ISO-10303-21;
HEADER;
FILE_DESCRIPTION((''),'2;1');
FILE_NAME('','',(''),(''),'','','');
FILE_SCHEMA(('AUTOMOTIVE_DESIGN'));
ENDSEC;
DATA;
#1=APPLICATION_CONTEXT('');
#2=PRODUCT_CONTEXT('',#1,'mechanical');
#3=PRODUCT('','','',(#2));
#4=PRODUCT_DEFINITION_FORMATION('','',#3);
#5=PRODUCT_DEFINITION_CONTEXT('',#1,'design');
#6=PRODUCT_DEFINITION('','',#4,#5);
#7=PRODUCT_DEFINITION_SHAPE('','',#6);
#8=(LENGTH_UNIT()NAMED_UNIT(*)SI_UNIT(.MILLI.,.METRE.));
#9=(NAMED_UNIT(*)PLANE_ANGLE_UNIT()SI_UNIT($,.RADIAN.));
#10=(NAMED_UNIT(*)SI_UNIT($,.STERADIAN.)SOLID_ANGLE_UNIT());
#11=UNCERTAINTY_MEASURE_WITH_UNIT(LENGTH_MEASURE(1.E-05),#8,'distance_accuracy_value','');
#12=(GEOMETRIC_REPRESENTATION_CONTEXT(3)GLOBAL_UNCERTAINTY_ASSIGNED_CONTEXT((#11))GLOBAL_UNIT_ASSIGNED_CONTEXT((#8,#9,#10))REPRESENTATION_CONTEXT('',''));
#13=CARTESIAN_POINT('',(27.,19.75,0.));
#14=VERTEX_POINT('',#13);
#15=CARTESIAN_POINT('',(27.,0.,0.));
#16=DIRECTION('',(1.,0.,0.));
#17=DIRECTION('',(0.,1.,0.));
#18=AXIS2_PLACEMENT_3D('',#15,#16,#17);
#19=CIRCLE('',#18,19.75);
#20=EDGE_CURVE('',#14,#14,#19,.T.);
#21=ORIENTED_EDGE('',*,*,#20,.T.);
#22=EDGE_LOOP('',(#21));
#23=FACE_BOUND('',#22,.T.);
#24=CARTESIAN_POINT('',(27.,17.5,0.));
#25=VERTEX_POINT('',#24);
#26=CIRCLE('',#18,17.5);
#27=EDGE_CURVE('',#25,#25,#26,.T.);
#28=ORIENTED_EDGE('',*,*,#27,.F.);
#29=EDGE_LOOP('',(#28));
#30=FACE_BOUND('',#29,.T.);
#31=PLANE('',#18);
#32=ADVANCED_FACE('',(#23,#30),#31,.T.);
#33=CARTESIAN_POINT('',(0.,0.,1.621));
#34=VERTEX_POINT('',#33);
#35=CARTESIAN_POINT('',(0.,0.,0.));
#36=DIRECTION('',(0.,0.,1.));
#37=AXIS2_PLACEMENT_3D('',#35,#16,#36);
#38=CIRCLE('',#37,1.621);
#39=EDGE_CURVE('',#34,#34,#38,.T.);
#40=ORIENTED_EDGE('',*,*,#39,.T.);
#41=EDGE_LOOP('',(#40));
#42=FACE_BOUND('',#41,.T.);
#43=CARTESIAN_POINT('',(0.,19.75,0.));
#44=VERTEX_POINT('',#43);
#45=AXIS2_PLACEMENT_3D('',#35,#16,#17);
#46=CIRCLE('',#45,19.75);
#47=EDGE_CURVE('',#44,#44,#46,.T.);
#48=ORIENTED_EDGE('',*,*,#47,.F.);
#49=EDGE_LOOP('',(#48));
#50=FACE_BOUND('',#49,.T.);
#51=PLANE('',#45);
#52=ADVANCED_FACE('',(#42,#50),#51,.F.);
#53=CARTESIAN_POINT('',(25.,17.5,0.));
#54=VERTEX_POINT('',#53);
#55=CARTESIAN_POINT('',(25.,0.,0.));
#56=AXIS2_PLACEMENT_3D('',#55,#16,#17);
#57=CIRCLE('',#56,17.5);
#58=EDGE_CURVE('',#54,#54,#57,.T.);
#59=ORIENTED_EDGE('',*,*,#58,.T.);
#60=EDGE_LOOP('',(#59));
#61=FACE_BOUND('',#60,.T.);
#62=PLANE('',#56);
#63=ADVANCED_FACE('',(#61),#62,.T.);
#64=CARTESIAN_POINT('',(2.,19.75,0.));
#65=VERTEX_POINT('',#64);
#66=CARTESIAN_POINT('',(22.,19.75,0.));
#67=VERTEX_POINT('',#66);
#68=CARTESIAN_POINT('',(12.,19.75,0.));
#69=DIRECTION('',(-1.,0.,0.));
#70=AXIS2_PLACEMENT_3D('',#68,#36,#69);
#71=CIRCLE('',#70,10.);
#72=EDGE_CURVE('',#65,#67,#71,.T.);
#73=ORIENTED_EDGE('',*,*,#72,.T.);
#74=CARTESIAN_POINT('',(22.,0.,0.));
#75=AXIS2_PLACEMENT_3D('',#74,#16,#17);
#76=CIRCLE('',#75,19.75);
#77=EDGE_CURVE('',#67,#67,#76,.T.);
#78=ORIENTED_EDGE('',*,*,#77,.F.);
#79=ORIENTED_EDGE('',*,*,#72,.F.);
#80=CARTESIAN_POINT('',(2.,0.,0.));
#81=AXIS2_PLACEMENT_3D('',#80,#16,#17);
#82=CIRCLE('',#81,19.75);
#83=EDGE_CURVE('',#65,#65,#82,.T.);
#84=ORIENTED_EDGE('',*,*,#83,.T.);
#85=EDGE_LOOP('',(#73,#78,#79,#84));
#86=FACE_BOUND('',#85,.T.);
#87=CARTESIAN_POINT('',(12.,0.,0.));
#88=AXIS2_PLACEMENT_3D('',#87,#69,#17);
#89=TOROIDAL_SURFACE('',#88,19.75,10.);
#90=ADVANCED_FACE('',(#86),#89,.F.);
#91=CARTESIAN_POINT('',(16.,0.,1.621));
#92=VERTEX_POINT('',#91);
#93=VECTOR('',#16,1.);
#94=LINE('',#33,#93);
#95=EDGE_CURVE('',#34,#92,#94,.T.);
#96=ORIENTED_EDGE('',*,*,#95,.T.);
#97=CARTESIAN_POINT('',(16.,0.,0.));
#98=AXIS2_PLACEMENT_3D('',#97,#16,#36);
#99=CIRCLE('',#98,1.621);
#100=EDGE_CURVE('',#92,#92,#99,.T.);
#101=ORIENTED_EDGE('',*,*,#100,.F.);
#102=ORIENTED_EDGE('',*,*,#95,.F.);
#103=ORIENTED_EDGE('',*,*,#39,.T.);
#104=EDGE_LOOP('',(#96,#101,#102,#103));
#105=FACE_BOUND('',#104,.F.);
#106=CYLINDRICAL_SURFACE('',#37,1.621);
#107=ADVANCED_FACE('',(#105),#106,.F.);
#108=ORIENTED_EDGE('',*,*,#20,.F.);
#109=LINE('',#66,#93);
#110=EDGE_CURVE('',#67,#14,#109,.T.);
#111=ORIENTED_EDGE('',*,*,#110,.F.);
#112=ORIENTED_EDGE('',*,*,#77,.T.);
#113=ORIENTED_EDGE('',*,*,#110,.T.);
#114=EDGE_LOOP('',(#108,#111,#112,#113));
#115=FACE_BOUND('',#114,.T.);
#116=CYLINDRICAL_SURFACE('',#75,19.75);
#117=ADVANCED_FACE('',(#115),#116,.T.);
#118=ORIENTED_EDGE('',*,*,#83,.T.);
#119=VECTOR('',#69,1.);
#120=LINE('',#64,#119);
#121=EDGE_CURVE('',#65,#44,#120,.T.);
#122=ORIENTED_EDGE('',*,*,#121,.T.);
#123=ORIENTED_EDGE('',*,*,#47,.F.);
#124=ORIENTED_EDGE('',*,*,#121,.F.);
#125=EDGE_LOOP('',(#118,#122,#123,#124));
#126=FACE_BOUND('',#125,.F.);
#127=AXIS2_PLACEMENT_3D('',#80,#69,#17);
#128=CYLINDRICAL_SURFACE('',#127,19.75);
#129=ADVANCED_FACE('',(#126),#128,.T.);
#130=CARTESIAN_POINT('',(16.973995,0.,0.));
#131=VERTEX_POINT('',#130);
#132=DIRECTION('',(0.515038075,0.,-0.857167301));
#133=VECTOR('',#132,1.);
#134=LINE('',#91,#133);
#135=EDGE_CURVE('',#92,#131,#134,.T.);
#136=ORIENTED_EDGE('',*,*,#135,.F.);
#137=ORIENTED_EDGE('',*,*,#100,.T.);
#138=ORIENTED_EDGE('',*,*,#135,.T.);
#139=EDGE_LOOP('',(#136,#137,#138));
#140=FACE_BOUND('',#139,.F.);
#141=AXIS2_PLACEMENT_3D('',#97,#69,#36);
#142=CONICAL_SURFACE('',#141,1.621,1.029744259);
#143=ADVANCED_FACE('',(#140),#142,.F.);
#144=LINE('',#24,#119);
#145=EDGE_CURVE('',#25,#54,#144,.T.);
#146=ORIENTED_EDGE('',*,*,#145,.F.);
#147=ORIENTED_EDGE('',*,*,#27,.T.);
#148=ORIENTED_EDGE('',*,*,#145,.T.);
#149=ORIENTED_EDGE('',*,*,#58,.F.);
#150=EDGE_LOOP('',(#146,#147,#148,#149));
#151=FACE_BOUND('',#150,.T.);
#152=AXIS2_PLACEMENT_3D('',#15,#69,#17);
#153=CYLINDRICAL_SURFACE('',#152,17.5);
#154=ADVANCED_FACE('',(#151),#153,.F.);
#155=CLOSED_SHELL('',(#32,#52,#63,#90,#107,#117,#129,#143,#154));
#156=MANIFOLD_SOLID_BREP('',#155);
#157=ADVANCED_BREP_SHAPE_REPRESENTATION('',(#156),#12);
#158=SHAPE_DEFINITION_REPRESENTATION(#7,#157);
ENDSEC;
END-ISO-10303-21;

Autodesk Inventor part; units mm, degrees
ref_plane "YZ Plane" through (0, 0, 0) normal (1, 0, 0) x (0, 1, 0)
ref_plane "XZ Plane" through (0, 0, 0) normal (0, 1, 0) x (-1, 0, 0)
ref_plane "XY Plane" through (0, 0, 0) normal (0, 0, 1) x (1, 0, 0)
sketch "Skizze1" plane through (0, 0, 0) normal (0, 0, 1) x (1, 0, 0)
  line L0 (-5.4, 0) -> (32.4, 0) projected
  line L1 (0, -3.95) -> (0, 23.7) projected
  line L2 (0, 0) -> (0, 19.75)
  line L3 (2, 19.75) -> (0, 19.75)
  arc A0 (2, 19.75) -> (22, 19.75) centre (12, 19.75) ccw
  line L4 (22, 19.75) -> (27, 19.75)
  line L5 (27, 19.75) -> (27, 17.5)
  line L6 (27, 17.5) -> (25, 17.5)
  line L7 (25, 17.5) -> (25, 0)
  line L8 (0, 0) -> (25, 0)
  dimension "d0" = 27
  dimension "d1" = 2
  dimension "d2" = 39.5
  dimension "d3" = 10
  dimension "d4" = 12
  dimension "d5" = 5
  dimension "d6" = 35
revolve "Umdrehung1" add sketch "Skizze1" angle 360 about axis through (-10, 0, 0) along (1, 0, 0)
sketch "Skizze2" plane through (0, 0, 0) normal (-1, 0, 0) x (0, 0, 1)
  point P0 (0, 0)
  point P1 (0, 0)
hole "Bohrung1" at (0, 0, 0) direction (1, 0, 0) diameter 3.242 depth 16 tip angle 118 thread size "M4x0.7" class "6H" standard "ISO Metric profile"
properties part number "Brennersockel"
